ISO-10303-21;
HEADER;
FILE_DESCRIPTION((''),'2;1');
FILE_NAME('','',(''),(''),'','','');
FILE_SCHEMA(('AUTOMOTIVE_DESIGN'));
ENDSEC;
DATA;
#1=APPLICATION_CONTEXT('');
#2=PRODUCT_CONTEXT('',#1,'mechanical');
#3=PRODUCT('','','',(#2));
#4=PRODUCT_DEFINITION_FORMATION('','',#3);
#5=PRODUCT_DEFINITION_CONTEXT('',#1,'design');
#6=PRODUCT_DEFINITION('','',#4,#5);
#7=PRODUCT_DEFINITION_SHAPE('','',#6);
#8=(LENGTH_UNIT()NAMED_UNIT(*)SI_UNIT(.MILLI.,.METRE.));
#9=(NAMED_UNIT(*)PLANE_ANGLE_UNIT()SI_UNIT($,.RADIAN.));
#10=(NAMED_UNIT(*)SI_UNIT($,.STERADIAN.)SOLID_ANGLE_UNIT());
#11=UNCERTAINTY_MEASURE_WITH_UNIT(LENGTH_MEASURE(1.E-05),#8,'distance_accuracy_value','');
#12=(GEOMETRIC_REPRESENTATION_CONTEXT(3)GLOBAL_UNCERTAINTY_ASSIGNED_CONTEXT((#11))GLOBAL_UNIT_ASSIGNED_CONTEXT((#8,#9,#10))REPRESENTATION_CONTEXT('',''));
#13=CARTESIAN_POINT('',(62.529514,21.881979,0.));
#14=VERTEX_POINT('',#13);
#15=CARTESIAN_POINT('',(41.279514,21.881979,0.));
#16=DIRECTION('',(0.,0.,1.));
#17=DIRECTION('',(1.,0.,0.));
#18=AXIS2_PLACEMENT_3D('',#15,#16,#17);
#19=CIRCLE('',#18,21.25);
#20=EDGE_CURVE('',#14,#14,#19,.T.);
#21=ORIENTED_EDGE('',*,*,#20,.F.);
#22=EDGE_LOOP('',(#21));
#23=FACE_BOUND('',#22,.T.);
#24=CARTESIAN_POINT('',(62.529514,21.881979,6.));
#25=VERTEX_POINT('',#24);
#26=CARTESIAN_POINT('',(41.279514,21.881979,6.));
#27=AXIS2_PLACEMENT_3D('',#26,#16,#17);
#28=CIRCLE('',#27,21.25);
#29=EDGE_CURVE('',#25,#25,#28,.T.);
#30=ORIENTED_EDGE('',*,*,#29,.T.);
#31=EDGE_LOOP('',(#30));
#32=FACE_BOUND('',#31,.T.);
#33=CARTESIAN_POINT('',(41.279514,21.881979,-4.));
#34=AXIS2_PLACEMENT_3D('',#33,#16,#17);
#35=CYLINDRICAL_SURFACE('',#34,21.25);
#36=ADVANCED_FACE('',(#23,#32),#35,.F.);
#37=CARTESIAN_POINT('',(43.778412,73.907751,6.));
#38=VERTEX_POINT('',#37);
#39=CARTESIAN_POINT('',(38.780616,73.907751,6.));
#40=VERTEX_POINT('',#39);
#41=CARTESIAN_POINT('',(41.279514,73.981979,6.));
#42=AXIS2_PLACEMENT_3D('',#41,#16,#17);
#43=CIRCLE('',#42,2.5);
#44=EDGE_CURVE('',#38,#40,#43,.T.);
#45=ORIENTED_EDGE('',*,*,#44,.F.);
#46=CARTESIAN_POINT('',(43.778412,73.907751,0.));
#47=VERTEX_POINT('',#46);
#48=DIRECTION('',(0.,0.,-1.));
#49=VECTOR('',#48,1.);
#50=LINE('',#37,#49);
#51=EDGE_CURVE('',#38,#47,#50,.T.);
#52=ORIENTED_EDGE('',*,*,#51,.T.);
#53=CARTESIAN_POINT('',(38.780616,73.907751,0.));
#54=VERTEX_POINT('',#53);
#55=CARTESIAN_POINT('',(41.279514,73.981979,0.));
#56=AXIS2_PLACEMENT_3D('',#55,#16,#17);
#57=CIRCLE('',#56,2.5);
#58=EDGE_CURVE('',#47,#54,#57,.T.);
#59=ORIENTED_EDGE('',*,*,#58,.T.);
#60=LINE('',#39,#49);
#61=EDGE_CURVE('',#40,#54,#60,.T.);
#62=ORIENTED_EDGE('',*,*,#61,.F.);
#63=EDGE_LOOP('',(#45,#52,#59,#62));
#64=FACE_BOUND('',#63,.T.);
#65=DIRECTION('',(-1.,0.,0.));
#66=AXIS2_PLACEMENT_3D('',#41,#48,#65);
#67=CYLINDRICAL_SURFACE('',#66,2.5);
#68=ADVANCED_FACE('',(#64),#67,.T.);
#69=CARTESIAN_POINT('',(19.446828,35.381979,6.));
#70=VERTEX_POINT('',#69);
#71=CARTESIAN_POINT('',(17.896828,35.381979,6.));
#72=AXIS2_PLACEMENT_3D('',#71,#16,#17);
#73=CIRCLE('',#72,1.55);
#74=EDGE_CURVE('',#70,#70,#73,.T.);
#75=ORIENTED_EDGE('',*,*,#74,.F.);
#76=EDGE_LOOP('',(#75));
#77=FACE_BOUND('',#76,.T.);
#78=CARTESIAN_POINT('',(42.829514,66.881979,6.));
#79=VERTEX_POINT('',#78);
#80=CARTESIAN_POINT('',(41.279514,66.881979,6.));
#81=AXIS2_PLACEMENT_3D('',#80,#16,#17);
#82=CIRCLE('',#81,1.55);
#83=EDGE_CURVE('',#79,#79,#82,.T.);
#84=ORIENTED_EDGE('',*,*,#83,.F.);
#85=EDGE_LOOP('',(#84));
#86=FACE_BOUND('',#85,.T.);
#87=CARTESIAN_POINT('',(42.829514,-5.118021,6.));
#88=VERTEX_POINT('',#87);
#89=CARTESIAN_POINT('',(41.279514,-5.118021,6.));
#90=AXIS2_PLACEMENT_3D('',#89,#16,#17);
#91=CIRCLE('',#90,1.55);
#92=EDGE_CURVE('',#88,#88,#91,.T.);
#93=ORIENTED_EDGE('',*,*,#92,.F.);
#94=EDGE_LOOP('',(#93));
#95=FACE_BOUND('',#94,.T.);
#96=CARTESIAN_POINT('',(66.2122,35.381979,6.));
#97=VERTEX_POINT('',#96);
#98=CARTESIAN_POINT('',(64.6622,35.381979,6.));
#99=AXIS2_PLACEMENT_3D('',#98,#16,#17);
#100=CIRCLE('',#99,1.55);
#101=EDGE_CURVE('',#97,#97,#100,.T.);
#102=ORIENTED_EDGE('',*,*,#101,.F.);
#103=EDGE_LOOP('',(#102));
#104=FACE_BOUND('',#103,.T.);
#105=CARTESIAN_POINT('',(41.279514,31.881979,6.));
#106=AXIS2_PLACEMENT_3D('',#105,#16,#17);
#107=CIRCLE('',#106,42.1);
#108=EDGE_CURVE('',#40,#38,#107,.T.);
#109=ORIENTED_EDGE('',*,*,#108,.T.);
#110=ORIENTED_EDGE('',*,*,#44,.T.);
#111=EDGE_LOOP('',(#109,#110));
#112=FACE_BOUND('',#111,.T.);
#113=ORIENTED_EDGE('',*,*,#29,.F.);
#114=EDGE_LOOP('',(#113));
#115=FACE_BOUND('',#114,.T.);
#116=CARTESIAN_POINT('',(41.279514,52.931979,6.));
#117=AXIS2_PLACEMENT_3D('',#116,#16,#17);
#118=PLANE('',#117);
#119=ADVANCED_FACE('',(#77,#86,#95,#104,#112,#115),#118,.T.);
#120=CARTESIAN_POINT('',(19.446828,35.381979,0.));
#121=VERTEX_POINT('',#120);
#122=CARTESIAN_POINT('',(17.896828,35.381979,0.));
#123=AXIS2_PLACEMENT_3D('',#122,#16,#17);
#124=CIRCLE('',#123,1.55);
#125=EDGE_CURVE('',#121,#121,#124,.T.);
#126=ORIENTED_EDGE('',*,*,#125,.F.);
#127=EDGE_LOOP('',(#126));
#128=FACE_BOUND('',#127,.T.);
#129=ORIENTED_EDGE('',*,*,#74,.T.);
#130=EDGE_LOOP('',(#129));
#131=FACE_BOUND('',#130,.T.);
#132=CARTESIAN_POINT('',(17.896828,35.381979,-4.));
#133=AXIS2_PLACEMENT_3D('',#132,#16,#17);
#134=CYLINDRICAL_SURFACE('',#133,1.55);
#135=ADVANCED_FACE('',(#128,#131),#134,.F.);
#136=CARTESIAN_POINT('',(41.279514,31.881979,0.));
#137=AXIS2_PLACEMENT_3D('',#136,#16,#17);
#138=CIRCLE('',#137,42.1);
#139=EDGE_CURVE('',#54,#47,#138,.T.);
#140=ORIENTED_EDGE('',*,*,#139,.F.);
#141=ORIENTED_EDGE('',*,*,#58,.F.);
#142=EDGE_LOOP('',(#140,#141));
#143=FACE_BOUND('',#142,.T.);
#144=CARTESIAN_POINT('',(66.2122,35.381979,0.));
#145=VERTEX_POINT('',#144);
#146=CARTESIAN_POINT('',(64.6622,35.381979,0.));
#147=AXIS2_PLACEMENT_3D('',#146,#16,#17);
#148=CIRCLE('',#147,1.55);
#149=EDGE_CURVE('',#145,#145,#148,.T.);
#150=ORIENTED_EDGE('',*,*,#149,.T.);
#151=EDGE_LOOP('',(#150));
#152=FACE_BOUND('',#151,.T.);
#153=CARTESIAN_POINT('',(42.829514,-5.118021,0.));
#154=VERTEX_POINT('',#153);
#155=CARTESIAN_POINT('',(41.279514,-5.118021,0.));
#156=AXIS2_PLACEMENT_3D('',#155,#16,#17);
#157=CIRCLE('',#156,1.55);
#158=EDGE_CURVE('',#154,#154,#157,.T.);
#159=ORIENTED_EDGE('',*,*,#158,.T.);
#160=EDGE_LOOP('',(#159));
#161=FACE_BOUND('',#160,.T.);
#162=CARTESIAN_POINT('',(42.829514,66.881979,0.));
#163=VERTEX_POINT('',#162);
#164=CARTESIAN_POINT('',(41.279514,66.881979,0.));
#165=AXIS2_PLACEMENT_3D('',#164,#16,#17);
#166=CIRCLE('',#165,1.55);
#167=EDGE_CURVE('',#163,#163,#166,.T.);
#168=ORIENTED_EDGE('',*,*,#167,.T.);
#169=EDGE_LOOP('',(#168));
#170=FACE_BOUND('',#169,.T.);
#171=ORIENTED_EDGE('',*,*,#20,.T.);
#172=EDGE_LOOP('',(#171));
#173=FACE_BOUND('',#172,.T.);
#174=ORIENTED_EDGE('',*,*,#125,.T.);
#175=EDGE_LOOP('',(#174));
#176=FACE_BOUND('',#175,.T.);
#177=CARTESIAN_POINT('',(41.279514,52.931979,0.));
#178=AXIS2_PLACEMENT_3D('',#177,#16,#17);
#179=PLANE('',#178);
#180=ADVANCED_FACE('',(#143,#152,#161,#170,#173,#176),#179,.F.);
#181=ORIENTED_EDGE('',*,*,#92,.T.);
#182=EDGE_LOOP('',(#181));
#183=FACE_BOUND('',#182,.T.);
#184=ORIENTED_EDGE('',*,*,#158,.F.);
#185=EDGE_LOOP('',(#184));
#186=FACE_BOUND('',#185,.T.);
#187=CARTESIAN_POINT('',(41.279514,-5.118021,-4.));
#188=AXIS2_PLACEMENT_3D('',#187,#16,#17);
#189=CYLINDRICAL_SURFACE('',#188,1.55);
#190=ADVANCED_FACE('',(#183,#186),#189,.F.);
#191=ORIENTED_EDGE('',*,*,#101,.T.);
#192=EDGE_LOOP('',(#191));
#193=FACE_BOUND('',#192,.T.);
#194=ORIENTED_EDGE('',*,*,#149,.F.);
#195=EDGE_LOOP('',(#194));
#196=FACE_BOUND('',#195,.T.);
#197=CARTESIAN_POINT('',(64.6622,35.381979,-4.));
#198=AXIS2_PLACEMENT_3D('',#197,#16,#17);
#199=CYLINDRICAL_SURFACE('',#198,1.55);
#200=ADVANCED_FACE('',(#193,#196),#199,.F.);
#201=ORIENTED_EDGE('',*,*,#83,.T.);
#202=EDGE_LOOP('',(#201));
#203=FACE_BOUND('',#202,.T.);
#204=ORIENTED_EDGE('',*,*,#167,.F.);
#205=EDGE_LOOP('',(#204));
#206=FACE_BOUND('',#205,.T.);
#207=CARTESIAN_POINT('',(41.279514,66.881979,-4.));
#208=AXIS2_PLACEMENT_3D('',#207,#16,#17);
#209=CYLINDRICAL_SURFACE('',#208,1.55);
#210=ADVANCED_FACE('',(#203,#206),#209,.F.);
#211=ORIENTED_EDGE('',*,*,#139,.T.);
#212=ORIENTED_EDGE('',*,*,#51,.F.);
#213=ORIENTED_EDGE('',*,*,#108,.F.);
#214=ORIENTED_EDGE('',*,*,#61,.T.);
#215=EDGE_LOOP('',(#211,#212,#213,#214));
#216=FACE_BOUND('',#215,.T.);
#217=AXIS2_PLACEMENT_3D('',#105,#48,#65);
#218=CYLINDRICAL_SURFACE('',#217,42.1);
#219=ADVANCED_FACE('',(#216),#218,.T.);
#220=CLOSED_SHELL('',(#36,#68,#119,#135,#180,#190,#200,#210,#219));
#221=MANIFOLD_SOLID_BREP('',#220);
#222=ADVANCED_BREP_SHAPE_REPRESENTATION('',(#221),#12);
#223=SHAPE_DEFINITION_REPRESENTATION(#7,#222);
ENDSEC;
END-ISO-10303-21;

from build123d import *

# Parameters (mm, degrees)
DODANIE_WYCI_GNI_CIE1_DEPTH = 6
SZKIC3_R                    = 21.25
WYTNIJ_WYCI_GNI_CIE1_DEPTH  = 10
SZKIC4_R                    = 1.55
WYTNIJ_WYCI_GNI_CIE2_DEPTH  = 10


with BuildPart() as part:
    # Szkic1 → Dodanie-wyciągnięcie1 (new body)
    with BuildSketch(Plane.XY):
        with BuildLine():
            ThreePointArc((38.780616011, 73.907751151), (41.279513808, -10.21802082), (43.778411605, 73.907751151))
            ThreePointArc((43.778411605, 73.907751151), (41.279513808, 76.48197918), (38.780616011, 73.907751151))
        make_face()
    extrude(amount=DODANIE_WYCI_GNI_CIE1_DEPTH)

    # Szkic3 → Wytnij-wyciągnięcie1 (cut)
    with BuildSketch(Plane.XY.offset(6)):
        with Locations((41.279513808, 21.88197918)):
            Circle(SZKIC3_R)
    extrude(amount=-WYTNIJ_WYCI_GNI_CIE1_DEPTH, mode=Mode.SUBTRACT)

    # Szkic4 → Wytnij-wyciągnięcie2 (cut)
    with BuildSketch(Plane.XY.offset(6)):
        with Locations((41.279513808, -5.11802082)):
            Circle(SZKIC4_R)
        with Locations((17.896827906, 35.38197918)):
            Circle(SZKIC4_R)
        with Locations((64.66219971, 35.38197918)):
            Circle(SZKIC4_R)
        with Locations((41.279513808, 66.88197918)):
            Circle(SZKIC4_R)
    extrude(amount=-WYTNIJ_WYCI_GNI_CIE2_DEPTH, mode=Mode.SUBTRACT)


solid = part.part
